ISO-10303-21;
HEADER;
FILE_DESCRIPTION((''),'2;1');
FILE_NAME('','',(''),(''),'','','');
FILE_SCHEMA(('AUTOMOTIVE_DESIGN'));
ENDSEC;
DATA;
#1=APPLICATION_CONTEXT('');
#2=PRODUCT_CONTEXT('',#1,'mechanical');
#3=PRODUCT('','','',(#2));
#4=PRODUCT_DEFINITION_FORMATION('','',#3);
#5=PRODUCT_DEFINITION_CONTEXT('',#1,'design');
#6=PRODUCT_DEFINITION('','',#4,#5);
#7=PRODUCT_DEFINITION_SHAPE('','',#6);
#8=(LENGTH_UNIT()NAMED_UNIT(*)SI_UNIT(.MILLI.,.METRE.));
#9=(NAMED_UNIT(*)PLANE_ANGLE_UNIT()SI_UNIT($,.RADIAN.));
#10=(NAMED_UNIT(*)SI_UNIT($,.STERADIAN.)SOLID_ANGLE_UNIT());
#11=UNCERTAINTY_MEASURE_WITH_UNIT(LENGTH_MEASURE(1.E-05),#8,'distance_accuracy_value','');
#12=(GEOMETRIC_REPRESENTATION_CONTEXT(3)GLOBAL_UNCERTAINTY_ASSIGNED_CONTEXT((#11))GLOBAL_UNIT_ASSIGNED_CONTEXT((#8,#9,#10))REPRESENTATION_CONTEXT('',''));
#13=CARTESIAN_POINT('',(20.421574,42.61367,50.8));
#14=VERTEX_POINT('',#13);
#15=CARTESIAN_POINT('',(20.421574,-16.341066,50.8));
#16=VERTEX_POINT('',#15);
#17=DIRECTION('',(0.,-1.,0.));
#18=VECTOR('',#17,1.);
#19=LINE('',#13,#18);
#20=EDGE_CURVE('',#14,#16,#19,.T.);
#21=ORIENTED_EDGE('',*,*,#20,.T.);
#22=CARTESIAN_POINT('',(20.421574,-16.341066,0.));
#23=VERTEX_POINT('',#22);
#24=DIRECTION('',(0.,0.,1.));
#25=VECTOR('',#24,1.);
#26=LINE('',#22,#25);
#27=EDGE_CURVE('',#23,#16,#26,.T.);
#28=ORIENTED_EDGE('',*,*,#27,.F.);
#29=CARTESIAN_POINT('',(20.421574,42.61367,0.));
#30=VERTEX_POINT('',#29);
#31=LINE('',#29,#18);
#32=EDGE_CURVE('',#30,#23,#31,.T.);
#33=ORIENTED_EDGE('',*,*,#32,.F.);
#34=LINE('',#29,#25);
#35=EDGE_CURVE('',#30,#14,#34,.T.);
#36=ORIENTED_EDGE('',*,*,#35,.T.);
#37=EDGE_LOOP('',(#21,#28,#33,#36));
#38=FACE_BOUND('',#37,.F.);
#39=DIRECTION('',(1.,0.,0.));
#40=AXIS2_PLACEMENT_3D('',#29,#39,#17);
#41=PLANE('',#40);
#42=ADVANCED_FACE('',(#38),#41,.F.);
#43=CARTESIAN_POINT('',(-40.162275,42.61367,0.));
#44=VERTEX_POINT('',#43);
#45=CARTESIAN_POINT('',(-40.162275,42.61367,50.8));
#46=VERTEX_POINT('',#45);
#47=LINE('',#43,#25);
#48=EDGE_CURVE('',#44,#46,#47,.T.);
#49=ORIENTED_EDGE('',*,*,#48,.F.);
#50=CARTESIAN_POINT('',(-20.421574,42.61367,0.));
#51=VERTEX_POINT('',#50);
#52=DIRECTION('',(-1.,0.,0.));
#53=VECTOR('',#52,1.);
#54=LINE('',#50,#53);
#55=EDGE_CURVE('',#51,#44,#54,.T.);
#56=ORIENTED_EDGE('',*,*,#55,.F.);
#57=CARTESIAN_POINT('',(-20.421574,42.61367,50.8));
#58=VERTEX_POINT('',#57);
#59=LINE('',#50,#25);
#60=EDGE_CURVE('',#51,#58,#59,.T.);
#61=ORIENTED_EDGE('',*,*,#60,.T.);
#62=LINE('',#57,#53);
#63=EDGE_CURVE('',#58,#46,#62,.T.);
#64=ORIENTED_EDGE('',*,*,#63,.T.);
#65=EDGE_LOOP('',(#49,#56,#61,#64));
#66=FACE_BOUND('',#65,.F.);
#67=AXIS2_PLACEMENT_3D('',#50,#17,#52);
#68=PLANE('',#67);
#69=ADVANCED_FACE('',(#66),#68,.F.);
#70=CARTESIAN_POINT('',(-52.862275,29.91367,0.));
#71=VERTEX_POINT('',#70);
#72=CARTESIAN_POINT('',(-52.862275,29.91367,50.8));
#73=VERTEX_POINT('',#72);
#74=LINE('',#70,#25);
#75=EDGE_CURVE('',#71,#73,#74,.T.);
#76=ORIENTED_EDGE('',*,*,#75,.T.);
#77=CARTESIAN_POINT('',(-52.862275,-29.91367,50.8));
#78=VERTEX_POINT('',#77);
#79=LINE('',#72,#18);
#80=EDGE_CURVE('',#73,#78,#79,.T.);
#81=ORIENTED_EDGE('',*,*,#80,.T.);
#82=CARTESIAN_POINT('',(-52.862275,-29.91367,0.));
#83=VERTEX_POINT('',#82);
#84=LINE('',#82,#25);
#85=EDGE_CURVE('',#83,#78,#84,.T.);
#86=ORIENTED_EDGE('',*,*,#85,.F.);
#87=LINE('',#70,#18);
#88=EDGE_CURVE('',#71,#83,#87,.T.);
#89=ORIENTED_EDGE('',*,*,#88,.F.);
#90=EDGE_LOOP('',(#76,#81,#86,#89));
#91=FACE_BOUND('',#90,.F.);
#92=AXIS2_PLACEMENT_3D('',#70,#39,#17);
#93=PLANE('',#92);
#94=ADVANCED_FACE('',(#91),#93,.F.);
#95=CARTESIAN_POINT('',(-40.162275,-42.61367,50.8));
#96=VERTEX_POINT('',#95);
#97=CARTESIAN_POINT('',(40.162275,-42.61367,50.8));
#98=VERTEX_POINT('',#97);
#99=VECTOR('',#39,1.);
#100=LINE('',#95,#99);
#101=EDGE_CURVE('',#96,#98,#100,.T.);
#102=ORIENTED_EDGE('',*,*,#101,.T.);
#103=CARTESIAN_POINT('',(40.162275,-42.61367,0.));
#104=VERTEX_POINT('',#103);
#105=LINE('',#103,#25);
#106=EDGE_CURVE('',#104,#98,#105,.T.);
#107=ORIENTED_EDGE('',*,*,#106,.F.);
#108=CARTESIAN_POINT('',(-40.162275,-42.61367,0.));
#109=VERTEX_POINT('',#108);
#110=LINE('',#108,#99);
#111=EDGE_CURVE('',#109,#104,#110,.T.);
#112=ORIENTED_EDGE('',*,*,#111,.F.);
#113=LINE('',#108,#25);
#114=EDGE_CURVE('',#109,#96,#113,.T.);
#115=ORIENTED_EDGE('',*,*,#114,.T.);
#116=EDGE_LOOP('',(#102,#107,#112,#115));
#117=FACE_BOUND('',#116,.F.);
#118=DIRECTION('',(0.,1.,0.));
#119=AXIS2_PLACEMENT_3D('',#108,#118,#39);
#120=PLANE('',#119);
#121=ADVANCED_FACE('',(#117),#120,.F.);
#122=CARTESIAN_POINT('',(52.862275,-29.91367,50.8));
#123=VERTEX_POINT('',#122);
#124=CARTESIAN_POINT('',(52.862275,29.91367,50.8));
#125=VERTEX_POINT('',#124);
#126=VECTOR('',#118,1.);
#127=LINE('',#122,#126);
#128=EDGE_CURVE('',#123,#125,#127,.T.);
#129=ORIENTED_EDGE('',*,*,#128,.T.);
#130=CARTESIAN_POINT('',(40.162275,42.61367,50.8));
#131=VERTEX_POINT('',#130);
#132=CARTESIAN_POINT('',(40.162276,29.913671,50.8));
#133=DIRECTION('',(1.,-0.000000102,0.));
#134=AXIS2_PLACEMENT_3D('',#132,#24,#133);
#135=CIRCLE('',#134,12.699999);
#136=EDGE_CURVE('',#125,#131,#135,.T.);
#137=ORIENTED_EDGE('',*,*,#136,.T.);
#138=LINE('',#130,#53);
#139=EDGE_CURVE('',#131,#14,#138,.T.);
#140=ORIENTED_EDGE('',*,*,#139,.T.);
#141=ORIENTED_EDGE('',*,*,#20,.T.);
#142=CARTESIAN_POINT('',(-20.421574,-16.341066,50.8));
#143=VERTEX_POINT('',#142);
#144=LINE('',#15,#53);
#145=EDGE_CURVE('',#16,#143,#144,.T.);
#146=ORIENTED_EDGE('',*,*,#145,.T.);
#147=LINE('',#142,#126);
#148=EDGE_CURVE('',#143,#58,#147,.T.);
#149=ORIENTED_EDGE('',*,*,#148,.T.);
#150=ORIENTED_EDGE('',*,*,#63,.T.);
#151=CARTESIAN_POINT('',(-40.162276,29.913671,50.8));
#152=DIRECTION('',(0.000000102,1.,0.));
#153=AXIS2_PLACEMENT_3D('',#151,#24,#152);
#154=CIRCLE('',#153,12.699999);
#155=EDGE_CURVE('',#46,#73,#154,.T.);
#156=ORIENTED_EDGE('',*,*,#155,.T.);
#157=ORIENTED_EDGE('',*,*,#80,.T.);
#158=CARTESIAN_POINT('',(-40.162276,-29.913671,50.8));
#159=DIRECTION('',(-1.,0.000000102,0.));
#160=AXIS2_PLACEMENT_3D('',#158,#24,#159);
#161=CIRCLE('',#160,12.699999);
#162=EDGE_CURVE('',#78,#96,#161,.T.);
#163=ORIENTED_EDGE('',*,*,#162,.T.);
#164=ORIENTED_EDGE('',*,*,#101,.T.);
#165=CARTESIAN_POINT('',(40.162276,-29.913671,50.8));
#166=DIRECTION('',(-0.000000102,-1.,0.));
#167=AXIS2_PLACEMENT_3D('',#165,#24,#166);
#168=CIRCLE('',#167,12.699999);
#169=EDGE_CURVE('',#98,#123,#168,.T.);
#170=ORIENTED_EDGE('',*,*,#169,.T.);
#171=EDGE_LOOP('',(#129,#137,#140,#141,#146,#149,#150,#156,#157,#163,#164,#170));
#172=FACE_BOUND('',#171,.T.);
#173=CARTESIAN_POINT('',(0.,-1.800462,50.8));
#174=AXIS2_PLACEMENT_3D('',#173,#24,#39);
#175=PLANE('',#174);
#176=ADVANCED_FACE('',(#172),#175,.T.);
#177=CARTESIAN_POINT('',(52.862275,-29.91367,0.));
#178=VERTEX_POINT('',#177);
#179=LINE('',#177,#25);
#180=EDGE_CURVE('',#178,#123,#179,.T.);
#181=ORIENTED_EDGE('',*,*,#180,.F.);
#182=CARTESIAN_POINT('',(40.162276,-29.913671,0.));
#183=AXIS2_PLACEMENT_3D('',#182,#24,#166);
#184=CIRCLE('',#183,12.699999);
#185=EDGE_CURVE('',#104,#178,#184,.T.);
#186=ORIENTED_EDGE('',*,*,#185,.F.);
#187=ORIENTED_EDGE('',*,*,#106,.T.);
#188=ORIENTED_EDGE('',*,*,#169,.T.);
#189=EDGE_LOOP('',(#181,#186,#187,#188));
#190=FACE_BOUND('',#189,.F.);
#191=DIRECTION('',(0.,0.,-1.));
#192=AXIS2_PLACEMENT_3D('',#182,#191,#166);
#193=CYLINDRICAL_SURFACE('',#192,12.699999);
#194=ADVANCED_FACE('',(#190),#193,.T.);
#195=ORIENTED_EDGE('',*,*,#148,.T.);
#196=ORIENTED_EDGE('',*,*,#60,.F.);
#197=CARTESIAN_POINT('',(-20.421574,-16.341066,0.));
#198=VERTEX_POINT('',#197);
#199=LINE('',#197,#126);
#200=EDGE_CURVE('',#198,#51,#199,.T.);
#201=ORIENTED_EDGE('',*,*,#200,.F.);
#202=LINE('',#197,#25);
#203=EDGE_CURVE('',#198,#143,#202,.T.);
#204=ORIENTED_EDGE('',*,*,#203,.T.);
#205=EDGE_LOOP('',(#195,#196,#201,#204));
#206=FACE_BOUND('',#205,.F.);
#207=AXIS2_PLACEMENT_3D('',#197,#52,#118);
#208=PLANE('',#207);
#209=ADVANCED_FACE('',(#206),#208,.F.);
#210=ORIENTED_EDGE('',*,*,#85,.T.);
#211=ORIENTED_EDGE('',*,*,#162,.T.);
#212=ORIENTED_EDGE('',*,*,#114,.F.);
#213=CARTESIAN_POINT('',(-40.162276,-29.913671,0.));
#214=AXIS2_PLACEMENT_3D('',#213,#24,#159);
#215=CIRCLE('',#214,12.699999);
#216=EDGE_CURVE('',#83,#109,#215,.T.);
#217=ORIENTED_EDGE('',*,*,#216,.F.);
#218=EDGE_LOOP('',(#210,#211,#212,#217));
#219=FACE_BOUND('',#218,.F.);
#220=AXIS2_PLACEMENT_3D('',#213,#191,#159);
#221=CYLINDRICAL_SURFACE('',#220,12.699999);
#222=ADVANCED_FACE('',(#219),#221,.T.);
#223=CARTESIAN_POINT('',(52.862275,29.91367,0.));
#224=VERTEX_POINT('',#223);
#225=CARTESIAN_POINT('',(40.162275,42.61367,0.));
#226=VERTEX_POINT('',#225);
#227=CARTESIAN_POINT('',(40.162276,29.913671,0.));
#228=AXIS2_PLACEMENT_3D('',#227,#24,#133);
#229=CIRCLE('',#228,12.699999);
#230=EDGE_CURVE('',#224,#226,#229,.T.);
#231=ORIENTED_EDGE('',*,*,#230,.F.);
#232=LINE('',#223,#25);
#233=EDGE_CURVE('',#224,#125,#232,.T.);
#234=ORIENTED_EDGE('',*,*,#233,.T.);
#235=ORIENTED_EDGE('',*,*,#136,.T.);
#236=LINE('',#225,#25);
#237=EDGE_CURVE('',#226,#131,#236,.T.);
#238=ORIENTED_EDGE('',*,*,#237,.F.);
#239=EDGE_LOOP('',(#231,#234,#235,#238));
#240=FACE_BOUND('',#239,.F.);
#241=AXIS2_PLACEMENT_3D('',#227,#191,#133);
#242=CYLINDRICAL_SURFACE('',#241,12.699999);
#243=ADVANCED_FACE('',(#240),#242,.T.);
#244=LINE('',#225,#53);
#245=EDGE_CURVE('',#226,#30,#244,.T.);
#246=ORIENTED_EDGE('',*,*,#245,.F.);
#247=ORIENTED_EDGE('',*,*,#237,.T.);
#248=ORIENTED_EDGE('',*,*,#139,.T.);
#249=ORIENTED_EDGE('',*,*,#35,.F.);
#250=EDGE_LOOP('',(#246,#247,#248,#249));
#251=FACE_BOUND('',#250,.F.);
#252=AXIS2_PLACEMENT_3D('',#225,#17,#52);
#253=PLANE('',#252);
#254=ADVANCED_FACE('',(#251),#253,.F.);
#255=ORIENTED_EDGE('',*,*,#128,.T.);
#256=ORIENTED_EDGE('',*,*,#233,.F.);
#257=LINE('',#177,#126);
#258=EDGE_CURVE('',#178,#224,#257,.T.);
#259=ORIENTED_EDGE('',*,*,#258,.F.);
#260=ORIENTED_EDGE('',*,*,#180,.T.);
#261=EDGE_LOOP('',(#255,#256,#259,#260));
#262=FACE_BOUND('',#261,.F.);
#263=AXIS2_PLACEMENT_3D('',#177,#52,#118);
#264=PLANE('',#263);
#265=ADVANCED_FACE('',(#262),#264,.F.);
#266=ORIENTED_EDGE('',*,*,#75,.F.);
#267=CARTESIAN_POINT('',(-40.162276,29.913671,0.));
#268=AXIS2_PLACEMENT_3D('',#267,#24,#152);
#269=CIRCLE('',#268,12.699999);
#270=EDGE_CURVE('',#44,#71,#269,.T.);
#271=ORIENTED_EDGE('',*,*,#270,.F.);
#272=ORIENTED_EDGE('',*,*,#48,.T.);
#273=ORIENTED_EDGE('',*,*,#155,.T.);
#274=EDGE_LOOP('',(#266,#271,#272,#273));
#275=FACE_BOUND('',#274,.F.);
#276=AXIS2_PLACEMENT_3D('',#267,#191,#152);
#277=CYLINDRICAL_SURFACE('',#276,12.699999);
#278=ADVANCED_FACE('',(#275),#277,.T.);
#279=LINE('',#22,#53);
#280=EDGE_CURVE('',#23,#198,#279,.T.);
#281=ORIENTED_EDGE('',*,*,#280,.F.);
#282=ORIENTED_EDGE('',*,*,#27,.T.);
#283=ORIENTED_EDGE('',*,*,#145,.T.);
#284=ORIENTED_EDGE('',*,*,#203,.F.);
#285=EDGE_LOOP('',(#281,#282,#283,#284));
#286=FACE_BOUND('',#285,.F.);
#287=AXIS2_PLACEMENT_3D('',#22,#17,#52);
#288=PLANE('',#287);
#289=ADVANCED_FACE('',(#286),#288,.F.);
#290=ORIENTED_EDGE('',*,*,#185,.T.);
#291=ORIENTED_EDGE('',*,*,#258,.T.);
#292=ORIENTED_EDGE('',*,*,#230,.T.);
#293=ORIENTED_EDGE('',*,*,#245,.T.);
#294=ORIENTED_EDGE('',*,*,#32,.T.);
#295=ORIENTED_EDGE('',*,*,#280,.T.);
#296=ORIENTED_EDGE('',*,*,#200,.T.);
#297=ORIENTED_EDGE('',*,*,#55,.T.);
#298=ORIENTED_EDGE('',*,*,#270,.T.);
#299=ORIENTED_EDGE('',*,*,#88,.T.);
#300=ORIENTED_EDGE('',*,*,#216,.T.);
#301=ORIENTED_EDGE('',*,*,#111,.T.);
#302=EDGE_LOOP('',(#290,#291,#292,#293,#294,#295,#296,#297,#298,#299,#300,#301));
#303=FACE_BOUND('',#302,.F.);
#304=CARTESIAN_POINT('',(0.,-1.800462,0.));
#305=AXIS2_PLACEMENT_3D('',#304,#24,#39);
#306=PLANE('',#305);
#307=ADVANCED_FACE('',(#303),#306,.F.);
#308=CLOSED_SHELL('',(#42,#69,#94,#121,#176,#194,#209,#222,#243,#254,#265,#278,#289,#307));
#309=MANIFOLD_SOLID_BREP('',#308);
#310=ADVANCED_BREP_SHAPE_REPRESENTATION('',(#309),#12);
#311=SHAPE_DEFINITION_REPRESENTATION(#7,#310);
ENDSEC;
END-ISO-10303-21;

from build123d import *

# Parameters (mm, degrees)
F1_DEPTH = 50.8


with BuildPart() as f1:
    # F0 (on Top) → F1 (new body)
    with BuildSketch(Plane.XY):
        with BuildLine():
            Line((-20.421574, 42.61367), (-40.162275, 42.61367))
            ThreePointArc((-40.162275, 42.61367), (-49.142532, 38.893926), (-52.862275, 29.91367))
            Line((-52.862275, 29.91367), (-52.862275, -29.91367))
            ThreePointArc((-52.862275, -29.91367), (-49.142532, -38.893926), (-40.162275, -42.61367))
            Line((-40.162275, -42.61367), (40.162275, -42.61367))
            ThreePointArc((40.162275, -42.61367), (49.142532, -38.893926), (52.862275, -29.91367))
            Line((52.862275, -29.91367), (52.862275, 29.91367))
            ThreePointArc((52.862275, 29.91367), (49.142532, 38.893926), (40.162275, 42.61367))
            Line((40.162275, 42.61367), (20.421574, 42.61367))
            Line((20.421574, 42.61367), (20.421574, -16.341066))
            Line((20.421574, -16.341066), (-20.421574, -16.341066))
            Line((-20.421574, -16.341066), (-20.421574, 42.61367))
        make_face()
    extrude(amount=F1_DEPTH)


solid = f1.part
